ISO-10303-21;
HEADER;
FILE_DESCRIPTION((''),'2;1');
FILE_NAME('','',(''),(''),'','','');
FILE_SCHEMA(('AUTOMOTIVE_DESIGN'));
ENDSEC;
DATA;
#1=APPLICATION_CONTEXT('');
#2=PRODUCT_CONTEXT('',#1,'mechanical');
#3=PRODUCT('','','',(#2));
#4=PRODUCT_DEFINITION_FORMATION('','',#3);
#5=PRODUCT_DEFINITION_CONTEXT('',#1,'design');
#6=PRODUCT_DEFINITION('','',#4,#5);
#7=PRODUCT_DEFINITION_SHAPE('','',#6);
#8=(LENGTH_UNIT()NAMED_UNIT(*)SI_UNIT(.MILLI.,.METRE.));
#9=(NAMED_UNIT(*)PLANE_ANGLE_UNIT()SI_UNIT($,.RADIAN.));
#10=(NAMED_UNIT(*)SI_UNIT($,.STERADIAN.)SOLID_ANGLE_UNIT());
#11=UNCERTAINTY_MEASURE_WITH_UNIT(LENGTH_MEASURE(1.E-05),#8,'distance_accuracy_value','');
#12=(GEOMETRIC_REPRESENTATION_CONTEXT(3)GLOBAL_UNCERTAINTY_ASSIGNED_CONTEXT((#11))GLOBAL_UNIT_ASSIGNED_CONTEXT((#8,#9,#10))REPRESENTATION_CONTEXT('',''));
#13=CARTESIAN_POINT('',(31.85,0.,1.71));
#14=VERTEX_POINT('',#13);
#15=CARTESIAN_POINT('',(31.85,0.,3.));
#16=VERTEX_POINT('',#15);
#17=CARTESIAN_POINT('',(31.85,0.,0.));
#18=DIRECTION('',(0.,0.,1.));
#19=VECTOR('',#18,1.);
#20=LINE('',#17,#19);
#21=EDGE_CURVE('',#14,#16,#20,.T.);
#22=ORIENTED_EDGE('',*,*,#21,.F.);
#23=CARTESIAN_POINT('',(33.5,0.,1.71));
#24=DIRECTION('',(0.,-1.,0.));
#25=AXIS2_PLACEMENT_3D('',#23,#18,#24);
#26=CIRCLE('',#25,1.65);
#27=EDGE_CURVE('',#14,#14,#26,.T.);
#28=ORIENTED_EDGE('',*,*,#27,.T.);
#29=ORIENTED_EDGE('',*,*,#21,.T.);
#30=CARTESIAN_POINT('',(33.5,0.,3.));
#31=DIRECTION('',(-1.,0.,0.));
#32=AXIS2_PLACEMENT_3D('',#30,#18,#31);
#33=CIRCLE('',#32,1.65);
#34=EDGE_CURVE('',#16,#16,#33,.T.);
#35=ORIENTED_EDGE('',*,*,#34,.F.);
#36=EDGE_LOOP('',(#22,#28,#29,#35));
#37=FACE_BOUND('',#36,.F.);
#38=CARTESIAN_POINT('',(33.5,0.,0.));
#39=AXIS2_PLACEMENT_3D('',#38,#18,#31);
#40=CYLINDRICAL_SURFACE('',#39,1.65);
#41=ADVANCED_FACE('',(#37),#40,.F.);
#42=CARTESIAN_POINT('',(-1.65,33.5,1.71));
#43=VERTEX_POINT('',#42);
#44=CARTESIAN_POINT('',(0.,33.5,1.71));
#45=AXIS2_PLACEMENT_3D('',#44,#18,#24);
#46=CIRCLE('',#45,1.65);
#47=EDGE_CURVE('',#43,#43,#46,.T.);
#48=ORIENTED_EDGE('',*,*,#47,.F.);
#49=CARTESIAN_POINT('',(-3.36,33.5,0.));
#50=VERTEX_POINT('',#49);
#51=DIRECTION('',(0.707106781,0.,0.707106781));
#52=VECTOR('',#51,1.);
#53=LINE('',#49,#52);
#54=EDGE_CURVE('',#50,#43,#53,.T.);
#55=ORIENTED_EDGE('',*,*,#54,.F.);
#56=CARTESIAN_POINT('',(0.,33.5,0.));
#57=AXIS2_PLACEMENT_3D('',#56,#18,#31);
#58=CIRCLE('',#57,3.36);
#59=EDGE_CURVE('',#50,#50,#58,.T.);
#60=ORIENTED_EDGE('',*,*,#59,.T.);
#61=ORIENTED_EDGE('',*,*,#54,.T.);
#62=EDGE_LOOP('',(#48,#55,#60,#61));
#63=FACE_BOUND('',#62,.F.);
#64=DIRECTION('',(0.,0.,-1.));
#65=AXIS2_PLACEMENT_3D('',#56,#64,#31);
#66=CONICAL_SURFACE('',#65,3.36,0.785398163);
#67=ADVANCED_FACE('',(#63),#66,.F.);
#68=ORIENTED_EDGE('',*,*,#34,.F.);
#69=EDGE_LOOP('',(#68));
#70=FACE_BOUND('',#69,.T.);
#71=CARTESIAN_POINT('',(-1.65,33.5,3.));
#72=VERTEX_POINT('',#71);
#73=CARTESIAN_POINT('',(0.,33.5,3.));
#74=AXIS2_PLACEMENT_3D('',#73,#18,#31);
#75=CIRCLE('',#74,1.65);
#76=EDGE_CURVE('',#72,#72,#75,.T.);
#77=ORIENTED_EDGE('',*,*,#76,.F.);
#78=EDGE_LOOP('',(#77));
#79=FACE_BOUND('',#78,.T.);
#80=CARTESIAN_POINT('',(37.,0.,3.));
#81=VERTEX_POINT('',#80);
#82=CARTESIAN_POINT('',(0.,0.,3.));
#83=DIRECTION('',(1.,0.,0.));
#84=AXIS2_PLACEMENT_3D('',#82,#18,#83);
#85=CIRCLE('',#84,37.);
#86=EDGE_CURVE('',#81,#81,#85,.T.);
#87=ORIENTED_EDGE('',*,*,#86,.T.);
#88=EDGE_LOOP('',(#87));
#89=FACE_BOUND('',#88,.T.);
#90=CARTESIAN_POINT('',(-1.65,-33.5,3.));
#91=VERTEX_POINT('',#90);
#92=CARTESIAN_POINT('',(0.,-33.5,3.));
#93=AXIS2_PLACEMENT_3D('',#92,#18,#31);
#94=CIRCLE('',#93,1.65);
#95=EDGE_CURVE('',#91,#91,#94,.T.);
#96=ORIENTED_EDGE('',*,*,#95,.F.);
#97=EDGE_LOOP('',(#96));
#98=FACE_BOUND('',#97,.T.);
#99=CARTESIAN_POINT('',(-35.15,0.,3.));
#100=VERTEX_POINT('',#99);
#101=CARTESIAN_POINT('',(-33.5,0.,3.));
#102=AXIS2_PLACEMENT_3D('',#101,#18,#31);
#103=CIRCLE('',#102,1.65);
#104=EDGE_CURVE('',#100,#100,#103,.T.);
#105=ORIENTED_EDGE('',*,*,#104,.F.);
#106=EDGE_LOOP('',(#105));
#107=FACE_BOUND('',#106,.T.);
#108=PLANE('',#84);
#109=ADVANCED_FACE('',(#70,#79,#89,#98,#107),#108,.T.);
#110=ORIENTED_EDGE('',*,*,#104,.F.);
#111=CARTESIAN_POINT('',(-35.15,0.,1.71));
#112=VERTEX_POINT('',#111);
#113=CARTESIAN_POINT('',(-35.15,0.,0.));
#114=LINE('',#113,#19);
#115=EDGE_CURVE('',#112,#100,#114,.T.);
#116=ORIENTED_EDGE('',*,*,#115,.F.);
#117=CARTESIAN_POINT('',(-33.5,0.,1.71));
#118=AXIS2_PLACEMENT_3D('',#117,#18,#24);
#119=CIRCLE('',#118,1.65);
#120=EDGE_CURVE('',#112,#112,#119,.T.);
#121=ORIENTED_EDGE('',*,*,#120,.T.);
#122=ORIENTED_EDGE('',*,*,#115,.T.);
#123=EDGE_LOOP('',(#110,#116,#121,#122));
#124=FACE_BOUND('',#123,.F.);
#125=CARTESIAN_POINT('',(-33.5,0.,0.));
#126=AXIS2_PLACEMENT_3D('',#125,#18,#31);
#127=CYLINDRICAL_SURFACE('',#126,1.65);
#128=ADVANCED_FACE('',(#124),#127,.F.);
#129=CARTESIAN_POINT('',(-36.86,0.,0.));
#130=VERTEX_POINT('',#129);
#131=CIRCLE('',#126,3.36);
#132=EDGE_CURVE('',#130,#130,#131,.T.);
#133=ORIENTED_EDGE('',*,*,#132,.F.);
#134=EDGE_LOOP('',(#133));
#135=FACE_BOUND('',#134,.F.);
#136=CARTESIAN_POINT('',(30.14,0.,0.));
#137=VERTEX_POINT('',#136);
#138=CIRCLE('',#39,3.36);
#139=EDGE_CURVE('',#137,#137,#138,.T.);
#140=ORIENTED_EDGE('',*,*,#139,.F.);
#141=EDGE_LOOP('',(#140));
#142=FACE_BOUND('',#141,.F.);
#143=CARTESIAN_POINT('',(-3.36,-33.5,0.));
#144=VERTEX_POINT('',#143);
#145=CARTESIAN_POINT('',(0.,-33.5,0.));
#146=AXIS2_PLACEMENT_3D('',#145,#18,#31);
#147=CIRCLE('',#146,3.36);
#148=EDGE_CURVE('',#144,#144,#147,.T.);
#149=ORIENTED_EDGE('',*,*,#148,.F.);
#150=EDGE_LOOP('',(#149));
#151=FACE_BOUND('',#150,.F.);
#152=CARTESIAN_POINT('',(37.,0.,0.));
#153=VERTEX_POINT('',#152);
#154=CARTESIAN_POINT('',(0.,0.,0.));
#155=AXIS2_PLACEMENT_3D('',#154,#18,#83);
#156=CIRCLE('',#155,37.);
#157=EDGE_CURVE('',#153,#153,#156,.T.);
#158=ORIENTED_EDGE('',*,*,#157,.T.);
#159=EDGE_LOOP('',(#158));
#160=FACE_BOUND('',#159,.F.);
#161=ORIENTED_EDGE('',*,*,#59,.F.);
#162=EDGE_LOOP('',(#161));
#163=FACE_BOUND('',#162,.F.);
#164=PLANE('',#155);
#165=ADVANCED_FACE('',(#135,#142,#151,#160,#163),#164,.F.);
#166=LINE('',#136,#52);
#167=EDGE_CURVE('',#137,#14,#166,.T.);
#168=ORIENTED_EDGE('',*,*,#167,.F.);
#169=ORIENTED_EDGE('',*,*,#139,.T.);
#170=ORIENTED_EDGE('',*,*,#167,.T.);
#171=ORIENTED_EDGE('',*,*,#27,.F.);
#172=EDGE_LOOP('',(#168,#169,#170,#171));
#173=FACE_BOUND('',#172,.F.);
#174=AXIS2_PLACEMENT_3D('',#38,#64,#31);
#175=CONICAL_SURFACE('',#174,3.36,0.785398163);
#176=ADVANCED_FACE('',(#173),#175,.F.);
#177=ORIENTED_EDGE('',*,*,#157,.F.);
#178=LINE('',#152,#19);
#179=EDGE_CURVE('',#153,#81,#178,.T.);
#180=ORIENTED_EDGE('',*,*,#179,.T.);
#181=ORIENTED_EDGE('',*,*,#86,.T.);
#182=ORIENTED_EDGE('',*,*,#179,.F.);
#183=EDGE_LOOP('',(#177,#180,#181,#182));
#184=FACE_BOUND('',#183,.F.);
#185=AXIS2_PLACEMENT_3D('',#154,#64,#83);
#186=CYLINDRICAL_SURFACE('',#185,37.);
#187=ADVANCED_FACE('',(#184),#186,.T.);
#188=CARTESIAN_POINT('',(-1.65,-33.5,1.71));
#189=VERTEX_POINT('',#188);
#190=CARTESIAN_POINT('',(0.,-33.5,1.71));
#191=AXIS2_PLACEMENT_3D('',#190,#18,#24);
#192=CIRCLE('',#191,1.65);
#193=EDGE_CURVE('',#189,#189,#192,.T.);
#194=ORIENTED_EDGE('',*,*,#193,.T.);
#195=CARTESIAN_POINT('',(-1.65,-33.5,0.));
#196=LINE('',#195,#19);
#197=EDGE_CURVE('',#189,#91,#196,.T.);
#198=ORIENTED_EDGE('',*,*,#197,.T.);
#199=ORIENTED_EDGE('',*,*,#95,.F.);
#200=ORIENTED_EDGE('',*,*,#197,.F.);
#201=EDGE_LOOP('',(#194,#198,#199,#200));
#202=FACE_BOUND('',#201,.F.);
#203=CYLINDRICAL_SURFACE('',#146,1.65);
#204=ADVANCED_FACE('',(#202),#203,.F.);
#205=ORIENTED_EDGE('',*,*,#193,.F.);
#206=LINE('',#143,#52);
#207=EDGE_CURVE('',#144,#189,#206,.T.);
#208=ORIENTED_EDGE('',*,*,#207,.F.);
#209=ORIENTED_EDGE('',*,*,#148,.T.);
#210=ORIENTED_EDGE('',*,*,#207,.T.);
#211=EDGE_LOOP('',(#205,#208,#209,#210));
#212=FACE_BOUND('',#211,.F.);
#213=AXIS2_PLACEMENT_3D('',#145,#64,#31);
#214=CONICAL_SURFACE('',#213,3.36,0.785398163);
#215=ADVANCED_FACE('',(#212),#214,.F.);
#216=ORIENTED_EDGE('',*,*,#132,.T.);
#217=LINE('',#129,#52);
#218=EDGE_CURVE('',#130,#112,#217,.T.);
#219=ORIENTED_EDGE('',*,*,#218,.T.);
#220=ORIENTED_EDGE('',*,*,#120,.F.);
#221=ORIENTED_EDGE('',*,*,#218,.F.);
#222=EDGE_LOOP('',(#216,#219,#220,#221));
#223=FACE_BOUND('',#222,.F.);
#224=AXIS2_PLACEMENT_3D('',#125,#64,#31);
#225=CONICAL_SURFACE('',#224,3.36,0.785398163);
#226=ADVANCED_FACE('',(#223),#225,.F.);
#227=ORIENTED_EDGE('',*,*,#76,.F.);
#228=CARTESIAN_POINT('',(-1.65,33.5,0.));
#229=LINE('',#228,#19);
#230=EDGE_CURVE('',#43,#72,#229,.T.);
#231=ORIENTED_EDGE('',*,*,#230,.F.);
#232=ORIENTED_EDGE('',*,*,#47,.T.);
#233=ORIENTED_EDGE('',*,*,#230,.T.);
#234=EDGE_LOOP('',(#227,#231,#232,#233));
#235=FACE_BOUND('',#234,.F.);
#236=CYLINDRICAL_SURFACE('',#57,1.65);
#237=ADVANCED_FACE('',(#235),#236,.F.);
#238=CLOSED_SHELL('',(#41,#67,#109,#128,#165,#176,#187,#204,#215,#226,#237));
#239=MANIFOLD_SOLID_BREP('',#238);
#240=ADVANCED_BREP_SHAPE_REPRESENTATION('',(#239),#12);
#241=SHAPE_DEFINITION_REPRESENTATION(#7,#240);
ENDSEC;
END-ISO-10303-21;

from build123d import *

# Parameters (mm, degrees)
F0_R           = 37
F1_DEPTH       = 3
F3_D           = 3.3
F3_CSINK_D     = 6.72
F3_CSINK_ANGLE = 90


with BuildPart() as f1:
    # F0 (on Top) → F1 (new body)
    with BuildSketch(Plane.XY):
        Circle(F0_R)
    extrude(amount=F1_DEPTH)

    # F3 (through all)
    with Locations(Plane(origin=(0, 0, 0), x_dir=(1, 0, 0), z_dir=(0, 0, -1))):
        with Locations((-33.5, 0), (0, 33.5), (33.5, 0), (0, -33.5)):
            CounterSinkHole(F3_D / 2, F3_CSINK_D / 2, counter_sink_angle=F3_CSINK_ANGLE)


solid = f1.part
